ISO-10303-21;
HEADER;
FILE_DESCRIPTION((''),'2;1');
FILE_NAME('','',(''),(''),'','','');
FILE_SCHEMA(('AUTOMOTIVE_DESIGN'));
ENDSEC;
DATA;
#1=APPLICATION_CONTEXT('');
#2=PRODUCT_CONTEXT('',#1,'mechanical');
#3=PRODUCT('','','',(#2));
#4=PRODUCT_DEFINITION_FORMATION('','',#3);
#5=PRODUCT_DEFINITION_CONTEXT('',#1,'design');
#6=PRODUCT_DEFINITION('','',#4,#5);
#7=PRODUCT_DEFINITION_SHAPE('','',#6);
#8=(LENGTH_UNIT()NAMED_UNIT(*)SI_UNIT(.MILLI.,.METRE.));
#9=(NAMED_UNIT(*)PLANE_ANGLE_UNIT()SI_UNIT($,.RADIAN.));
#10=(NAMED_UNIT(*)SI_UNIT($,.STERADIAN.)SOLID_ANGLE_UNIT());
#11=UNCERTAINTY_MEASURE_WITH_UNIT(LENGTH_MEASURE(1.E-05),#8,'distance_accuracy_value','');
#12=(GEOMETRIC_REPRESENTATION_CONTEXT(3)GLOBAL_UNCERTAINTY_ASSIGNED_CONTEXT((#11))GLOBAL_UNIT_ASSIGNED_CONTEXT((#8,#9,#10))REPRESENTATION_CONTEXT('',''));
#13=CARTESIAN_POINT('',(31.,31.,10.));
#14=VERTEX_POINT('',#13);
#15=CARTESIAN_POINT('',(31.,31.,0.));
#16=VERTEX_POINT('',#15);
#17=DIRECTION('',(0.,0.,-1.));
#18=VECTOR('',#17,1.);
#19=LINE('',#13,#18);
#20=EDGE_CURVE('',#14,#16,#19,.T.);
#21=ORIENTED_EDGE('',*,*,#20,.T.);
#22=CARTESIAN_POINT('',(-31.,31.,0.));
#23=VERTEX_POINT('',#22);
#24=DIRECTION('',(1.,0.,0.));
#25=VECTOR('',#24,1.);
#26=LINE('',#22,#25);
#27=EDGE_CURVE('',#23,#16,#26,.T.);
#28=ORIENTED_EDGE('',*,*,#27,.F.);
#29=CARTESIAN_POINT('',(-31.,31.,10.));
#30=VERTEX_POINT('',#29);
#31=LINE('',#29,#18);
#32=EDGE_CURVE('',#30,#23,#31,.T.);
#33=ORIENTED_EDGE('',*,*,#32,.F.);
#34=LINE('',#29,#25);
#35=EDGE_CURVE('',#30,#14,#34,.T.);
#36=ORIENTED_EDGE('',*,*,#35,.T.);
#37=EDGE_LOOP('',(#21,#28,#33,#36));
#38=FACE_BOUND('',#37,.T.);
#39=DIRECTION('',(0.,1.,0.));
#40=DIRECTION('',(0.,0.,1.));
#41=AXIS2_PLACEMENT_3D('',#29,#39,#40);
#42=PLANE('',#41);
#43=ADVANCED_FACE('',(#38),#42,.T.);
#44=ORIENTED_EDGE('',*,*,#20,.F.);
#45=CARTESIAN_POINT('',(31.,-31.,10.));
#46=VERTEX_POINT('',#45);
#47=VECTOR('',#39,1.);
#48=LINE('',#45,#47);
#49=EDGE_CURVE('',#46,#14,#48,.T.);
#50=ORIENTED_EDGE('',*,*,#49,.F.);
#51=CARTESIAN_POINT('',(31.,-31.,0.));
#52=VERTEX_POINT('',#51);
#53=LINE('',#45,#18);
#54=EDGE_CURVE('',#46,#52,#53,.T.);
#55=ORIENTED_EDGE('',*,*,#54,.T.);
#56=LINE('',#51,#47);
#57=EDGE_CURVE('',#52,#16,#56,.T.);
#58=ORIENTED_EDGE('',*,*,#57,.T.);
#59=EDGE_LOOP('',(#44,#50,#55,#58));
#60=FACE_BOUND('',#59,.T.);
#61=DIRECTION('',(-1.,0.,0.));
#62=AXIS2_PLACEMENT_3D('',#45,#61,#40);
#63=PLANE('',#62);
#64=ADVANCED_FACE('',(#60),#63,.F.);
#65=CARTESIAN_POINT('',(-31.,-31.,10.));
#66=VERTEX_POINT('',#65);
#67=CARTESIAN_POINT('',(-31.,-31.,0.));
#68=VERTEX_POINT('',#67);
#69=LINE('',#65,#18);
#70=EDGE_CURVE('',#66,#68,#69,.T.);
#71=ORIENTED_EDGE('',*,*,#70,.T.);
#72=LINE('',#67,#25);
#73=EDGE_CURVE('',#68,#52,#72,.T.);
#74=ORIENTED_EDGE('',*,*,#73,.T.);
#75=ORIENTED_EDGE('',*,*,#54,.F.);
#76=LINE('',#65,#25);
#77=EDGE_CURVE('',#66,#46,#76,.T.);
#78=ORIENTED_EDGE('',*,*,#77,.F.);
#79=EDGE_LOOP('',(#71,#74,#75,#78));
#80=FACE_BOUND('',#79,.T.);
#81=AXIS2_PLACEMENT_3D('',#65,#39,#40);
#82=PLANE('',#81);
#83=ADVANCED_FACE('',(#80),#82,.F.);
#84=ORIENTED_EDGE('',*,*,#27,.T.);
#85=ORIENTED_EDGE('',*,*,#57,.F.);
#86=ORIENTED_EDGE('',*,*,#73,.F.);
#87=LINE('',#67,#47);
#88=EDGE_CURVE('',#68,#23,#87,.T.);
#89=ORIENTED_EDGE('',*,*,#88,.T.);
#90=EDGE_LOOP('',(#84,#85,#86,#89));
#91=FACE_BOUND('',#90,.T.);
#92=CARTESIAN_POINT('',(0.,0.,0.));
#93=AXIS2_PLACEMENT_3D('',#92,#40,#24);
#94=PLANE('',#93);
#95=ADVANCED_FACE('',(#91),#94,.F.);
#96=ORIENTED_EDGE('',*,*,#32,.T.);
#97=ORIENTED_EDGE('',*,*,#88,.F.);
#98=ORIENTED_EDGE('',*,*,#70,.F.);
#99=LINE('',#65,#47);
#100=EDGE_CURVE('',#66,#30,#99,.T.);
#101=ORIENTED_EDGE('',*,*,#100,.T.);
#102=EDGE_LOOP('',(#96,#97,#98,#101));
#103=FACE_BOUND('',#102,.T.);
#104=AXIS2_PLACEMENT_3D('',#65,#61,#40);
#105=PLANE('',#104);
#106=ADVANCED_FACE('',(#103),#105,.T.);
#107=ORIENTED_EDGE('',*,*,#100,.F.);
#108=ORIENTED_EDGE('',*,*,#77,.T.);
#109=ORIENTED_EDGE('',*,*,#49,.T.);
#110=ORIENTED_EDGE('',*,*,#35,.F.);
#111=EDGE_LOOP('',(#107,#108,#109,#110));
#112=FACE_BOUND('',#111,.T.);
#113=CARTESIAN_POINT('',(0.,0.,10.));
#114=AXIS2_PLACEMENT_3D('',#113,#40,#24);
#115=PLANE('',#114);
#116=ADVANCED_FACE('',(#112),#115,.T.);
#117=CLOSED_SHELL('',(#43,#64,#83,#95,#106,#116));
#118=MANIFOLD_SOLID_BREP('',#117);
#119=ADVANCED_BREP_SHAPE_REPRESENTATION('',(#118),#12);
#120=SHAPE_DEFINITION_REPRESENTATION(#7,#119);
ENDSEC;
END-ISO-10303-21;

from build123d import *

# Parameters (mm, degrees)
SKETCH_5_W      = 62
SKETCH_5_H      = 62
EXTRUDE_2_DEPTH = 10


with BuildPart() as part:
    # Эскиз5 → Бобышка-Вытянуть2 (new body)
    with BuildSketch(Plane.XY):
        Rectangle(SKETCH_5_W, SKETCH_5_H)
    extrude(amount=EXTRUDE_2_DEPTH)


solid = part.part
